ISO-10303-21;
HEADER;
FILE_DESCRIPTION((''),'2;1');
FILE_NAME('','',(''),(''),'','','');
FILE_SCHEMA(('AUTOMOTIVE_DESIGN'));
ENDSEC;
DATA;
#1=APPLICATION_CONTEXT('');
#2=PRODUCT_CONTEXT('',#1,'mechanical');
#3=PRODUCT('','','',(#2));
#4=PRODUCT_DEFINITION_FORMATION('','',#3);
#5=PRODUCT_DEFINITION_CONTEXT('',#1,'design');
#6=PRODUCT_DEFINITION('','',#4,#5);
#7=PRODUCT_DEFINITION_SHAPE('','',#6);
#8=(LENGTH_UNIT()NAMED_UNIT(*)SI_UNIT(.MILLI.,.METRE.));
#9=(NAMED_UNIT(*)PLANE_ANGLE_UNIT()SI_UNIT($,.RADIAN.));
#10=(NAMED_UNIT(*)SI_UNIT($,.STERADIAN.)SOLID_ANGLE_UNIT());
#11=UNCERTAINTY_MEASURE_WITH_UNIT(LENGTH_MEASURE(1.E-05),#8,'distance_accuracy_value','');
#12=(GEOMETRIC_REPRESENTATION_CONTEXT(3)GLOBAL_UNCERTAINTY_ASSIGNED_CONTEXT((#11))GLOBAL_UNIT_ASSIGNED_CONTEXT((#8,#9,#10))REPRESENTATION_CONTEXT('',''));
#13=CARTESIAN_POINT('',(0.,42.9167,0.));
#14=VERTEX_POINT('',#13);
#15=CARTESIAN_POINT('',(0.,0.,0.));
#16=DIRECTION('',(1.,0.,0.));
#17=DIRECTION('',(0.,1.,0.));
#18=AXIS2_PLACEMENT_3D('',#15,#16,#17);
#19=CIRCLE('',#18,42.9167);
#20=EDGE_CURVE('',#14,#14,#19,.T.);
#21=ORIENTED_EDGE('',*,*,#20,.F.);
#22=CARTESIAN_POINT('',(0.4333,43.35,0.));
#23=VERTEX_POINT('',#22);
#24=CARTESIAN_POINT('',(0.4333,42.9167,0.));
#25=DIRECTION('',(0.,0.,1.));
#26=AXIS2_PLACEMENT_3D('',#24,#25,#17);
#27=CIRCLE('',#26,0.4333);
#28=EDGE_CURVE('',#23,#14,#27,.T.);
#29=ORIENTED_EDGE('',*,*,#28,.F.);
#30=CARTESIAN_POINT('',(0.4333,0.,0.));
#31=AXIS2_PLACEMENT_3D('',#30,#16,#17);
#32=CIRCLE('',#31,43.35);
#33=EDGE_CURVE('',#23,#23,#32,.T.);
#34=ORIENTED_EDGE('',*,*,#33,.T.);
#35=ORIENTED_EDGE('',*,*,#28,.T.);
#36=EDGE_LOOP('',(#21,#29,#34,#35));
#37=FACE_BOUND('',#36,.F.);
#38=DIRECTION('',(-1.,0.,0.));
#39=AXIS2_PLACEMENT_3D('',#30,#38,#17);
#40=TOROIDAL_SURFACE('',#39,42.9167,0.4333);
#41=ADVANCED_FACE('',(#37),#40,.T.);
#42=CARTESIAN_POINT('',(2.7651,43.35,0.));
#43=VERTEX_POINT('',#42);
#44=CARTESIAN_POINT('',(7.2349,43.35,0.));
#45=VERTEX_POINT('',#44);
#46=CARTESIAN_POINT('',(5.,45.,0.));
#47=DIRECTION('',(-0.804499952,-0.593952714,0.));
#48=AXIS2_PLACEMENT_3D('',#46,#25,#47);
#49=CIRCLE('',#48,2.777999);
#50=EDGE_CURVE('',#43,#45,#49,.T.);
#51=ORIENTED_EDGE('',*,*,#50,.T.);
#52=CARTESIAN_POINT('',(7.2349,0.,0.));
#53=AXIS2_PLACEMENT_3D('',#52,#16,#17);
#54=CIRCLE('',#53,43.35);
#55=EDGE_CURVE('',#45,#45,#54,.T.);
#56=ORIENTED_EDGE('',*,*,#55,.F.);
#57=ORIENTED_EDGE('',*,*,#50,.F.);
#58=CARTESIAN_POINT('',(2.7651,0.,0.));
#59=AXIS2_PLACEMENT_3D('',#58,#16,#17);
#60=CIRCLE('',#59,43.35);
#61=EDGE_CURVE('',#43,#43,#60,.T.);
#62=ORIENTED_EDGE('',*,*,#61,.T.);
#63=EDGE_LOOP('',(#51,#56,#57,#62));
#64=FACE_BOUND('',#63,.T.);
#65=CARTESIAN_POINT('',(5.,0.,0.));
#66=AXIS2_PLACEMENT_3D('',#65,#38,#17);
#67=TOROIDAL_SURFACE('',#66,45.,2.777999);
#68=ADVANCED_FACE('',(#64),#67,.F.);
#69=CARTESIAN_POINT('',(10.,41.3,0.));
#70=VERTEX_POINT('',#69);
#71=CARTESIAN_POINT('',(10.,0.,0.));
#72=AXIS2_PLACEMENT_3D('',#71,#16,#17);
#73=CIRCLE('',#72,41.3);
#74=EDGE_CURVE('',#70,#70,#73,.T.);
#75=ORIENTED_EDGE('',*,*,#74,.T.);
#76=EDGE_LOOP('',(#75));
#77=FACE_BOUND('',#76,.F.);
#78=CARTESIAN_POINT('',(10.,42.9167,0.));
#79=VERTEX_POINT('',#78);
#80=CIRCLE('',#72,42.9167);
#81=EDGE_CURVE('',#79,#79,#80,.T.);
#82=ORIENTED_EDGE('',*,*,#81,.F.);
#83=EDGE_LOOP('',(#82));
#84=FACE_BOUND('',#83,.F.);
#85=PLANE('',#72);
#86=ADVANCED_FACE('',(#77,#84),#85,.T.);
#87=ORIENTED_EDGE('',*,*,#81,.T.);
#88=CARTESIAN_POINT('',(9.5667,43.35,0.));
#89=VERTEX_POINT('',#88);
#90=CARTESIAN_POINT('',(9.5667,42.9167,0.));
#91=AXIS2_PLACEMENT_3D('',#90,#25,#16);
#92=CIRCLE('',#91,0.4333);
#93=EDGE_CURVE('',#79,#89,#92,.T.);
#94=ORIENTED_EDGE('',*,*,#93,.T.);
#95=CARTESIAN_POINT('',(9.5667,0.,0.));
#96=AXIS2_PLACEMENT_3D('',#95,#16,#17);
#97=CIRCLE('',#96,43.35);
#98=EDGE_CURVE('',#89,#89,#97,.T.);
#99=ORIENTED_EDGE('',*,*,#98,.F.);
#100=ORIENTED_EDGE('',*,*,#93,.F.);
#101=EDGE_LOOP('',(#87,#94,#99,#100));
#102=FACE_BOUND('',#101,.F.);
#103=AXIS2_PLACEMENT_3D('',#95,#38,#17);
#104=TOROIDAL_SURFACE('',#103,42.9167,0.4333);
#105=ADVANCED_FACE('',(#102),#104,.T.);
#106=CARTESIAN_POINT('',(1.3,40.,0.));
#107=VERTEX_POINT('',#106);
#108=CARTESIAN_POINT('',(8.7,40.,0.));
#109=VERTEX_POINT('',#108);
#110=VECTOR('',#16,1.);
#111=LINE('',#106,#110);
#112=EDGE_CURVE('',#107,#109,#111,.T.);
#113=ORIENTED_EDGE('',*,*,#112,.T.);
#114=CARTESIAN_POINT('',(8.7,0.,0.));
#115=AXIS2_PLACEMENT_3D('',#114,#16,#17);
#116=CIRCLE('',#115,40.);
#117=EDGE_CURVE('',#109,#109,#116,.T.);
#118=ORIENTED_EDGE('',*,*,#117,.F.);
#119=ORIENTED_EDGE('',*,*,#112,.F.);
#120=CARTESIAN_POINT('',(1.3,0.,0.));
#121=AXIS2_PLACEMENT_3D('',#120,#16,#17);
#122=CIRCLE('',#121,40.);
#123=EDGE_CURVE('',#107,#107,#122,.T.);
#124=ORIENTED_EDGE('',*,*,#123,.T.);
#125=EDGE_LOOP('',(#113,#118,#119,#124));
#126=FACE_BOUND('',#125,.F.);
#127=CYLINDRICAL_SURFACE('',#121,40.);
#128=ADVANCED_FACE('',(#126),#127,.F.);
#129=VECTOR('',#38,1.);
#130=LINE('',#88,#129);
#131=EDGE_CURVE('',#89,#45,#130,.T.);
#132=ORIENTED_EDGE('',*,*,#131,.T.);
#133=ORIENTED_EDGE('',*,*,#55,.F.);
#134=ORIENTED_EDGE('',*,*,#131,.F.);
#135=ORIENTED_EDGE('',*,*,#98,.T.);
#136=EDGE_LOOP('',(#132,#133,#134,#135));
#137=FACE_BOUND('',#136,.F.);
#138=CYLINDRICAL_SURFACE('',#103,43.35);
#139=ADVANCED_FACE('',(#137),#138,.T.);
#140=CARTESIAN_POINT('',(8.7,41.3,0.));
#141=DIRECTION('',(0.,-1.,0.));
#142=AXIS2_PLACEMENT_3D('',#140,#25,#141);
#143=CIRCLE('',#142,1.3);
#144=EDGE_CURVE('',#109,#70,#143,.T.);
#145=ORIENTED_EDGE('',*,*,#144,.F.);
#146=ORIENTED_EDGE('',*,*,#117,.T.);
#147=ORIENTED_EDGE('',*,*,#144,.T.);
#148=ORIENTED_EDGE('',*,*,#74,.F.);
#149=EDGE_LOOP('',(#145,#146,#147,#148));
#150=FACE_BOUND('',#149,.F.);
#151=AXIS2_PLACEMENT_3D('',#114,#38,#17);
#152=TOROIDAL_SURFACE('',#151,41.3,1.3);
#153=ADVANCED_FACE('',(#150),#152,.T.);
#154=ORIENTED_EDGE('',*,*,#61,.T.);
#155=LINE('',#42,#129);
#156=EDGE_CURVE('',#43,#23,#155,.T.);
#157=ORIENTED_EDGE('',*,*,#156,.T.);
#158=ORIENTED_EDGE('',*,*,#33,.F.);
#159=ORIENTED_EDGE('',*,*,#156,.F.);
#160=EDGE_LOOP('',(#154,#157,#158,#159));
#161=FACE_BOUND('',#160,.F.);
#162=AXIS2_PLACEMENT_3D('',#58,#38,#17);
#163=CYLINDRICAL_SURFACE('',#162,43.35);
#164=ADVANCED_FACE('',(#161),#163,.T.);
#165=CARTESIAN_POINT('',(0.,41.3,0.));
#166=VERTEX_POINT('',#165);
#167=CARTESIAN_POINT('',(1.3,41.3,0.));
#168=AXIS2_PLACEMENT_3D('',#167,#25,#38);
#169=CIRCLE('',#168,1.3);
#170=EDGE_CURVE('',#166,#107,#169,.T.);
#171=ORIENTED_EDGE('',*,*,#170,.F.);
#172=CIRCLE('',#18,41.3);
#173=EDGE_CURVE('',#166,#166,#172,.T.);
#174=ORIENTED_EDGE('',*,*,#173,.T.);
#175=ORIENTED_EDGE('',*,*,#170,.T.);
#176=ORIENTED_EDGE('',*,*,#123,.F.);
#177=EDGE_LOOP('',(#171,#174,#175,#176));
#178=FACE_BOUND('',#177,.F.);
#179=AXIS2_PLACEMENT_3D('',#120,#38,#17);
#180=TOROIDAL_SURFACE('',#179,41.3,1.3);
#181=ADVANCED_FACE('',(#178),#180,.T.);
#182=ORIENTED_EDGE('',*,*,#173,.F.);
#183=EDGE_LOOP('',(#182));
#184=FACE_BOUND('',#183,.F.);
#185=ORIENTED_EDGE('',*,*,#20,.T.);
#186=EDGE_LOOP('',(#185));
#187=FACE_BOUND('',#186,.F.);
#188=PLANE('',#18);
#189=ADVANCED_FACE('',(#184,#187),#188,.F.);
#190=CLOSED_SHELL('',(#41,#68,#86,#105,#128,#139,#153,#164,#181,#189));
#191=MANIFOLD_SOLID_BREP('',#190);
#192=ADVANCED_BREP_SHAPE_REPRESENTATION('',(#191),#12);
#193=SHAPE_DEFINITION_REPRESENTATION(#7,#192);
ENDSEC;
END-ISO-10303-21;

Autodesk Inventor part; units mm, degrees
ref_plane "YZ Plane" through (0, 0, 0) normal (1, 0, 0) x (0, 1, 0)
ref_plane "XZ Plane" through (0, 0, 0) normal (0, 1, 0) x (-1, 0, 0)
ref_plane "XY Plane" through (0, 0, 0) normal (0, 0, 1) x (1, 0, 0)
sketch "Sketch_54" plane through (0, 0, 0) normal (0, 0, 1) x (1, 0, 0)
  line L0 (100, 0) -> (-100, 0)
  arc A0 (0, 41.3) -> (1.3, 40) centre (1.3, 41.3) ccw
  line L1 (1.3, 40) -> (8.7, 40)
  arc A1 (8.7, 40) -> (10, 41.3) centre (8.7, 41.3) ccw
  line L2 (10, 41.3) -> (10, 42.9167)
  arc A2 (10, 42.9167) -> (9.5667, 43.35) centre (9.5667, 42.9167) ccw
  line L3 (9.5667, 43.35) -> (7.2349, 43.35)
  arc A3 (2.7651, 43.35) -> (7.2349, 43.35) centre (5, 45) ccw
  line L4 (2.7651, 43.35) -> (0.4333, 43.35)
  arc A4 (0.4333, 43.35) -> (0, 42.9167) centre (0.4333, 42.9167) ccw
  line L5 (0, 42.9167) -> (0, 41.3)
revolve "Revolution1" add sketch "Sketch_54" angle 360 about axis through (100, 0, 0) along (1, 0, 0)
properties part number "61816_PART1"
